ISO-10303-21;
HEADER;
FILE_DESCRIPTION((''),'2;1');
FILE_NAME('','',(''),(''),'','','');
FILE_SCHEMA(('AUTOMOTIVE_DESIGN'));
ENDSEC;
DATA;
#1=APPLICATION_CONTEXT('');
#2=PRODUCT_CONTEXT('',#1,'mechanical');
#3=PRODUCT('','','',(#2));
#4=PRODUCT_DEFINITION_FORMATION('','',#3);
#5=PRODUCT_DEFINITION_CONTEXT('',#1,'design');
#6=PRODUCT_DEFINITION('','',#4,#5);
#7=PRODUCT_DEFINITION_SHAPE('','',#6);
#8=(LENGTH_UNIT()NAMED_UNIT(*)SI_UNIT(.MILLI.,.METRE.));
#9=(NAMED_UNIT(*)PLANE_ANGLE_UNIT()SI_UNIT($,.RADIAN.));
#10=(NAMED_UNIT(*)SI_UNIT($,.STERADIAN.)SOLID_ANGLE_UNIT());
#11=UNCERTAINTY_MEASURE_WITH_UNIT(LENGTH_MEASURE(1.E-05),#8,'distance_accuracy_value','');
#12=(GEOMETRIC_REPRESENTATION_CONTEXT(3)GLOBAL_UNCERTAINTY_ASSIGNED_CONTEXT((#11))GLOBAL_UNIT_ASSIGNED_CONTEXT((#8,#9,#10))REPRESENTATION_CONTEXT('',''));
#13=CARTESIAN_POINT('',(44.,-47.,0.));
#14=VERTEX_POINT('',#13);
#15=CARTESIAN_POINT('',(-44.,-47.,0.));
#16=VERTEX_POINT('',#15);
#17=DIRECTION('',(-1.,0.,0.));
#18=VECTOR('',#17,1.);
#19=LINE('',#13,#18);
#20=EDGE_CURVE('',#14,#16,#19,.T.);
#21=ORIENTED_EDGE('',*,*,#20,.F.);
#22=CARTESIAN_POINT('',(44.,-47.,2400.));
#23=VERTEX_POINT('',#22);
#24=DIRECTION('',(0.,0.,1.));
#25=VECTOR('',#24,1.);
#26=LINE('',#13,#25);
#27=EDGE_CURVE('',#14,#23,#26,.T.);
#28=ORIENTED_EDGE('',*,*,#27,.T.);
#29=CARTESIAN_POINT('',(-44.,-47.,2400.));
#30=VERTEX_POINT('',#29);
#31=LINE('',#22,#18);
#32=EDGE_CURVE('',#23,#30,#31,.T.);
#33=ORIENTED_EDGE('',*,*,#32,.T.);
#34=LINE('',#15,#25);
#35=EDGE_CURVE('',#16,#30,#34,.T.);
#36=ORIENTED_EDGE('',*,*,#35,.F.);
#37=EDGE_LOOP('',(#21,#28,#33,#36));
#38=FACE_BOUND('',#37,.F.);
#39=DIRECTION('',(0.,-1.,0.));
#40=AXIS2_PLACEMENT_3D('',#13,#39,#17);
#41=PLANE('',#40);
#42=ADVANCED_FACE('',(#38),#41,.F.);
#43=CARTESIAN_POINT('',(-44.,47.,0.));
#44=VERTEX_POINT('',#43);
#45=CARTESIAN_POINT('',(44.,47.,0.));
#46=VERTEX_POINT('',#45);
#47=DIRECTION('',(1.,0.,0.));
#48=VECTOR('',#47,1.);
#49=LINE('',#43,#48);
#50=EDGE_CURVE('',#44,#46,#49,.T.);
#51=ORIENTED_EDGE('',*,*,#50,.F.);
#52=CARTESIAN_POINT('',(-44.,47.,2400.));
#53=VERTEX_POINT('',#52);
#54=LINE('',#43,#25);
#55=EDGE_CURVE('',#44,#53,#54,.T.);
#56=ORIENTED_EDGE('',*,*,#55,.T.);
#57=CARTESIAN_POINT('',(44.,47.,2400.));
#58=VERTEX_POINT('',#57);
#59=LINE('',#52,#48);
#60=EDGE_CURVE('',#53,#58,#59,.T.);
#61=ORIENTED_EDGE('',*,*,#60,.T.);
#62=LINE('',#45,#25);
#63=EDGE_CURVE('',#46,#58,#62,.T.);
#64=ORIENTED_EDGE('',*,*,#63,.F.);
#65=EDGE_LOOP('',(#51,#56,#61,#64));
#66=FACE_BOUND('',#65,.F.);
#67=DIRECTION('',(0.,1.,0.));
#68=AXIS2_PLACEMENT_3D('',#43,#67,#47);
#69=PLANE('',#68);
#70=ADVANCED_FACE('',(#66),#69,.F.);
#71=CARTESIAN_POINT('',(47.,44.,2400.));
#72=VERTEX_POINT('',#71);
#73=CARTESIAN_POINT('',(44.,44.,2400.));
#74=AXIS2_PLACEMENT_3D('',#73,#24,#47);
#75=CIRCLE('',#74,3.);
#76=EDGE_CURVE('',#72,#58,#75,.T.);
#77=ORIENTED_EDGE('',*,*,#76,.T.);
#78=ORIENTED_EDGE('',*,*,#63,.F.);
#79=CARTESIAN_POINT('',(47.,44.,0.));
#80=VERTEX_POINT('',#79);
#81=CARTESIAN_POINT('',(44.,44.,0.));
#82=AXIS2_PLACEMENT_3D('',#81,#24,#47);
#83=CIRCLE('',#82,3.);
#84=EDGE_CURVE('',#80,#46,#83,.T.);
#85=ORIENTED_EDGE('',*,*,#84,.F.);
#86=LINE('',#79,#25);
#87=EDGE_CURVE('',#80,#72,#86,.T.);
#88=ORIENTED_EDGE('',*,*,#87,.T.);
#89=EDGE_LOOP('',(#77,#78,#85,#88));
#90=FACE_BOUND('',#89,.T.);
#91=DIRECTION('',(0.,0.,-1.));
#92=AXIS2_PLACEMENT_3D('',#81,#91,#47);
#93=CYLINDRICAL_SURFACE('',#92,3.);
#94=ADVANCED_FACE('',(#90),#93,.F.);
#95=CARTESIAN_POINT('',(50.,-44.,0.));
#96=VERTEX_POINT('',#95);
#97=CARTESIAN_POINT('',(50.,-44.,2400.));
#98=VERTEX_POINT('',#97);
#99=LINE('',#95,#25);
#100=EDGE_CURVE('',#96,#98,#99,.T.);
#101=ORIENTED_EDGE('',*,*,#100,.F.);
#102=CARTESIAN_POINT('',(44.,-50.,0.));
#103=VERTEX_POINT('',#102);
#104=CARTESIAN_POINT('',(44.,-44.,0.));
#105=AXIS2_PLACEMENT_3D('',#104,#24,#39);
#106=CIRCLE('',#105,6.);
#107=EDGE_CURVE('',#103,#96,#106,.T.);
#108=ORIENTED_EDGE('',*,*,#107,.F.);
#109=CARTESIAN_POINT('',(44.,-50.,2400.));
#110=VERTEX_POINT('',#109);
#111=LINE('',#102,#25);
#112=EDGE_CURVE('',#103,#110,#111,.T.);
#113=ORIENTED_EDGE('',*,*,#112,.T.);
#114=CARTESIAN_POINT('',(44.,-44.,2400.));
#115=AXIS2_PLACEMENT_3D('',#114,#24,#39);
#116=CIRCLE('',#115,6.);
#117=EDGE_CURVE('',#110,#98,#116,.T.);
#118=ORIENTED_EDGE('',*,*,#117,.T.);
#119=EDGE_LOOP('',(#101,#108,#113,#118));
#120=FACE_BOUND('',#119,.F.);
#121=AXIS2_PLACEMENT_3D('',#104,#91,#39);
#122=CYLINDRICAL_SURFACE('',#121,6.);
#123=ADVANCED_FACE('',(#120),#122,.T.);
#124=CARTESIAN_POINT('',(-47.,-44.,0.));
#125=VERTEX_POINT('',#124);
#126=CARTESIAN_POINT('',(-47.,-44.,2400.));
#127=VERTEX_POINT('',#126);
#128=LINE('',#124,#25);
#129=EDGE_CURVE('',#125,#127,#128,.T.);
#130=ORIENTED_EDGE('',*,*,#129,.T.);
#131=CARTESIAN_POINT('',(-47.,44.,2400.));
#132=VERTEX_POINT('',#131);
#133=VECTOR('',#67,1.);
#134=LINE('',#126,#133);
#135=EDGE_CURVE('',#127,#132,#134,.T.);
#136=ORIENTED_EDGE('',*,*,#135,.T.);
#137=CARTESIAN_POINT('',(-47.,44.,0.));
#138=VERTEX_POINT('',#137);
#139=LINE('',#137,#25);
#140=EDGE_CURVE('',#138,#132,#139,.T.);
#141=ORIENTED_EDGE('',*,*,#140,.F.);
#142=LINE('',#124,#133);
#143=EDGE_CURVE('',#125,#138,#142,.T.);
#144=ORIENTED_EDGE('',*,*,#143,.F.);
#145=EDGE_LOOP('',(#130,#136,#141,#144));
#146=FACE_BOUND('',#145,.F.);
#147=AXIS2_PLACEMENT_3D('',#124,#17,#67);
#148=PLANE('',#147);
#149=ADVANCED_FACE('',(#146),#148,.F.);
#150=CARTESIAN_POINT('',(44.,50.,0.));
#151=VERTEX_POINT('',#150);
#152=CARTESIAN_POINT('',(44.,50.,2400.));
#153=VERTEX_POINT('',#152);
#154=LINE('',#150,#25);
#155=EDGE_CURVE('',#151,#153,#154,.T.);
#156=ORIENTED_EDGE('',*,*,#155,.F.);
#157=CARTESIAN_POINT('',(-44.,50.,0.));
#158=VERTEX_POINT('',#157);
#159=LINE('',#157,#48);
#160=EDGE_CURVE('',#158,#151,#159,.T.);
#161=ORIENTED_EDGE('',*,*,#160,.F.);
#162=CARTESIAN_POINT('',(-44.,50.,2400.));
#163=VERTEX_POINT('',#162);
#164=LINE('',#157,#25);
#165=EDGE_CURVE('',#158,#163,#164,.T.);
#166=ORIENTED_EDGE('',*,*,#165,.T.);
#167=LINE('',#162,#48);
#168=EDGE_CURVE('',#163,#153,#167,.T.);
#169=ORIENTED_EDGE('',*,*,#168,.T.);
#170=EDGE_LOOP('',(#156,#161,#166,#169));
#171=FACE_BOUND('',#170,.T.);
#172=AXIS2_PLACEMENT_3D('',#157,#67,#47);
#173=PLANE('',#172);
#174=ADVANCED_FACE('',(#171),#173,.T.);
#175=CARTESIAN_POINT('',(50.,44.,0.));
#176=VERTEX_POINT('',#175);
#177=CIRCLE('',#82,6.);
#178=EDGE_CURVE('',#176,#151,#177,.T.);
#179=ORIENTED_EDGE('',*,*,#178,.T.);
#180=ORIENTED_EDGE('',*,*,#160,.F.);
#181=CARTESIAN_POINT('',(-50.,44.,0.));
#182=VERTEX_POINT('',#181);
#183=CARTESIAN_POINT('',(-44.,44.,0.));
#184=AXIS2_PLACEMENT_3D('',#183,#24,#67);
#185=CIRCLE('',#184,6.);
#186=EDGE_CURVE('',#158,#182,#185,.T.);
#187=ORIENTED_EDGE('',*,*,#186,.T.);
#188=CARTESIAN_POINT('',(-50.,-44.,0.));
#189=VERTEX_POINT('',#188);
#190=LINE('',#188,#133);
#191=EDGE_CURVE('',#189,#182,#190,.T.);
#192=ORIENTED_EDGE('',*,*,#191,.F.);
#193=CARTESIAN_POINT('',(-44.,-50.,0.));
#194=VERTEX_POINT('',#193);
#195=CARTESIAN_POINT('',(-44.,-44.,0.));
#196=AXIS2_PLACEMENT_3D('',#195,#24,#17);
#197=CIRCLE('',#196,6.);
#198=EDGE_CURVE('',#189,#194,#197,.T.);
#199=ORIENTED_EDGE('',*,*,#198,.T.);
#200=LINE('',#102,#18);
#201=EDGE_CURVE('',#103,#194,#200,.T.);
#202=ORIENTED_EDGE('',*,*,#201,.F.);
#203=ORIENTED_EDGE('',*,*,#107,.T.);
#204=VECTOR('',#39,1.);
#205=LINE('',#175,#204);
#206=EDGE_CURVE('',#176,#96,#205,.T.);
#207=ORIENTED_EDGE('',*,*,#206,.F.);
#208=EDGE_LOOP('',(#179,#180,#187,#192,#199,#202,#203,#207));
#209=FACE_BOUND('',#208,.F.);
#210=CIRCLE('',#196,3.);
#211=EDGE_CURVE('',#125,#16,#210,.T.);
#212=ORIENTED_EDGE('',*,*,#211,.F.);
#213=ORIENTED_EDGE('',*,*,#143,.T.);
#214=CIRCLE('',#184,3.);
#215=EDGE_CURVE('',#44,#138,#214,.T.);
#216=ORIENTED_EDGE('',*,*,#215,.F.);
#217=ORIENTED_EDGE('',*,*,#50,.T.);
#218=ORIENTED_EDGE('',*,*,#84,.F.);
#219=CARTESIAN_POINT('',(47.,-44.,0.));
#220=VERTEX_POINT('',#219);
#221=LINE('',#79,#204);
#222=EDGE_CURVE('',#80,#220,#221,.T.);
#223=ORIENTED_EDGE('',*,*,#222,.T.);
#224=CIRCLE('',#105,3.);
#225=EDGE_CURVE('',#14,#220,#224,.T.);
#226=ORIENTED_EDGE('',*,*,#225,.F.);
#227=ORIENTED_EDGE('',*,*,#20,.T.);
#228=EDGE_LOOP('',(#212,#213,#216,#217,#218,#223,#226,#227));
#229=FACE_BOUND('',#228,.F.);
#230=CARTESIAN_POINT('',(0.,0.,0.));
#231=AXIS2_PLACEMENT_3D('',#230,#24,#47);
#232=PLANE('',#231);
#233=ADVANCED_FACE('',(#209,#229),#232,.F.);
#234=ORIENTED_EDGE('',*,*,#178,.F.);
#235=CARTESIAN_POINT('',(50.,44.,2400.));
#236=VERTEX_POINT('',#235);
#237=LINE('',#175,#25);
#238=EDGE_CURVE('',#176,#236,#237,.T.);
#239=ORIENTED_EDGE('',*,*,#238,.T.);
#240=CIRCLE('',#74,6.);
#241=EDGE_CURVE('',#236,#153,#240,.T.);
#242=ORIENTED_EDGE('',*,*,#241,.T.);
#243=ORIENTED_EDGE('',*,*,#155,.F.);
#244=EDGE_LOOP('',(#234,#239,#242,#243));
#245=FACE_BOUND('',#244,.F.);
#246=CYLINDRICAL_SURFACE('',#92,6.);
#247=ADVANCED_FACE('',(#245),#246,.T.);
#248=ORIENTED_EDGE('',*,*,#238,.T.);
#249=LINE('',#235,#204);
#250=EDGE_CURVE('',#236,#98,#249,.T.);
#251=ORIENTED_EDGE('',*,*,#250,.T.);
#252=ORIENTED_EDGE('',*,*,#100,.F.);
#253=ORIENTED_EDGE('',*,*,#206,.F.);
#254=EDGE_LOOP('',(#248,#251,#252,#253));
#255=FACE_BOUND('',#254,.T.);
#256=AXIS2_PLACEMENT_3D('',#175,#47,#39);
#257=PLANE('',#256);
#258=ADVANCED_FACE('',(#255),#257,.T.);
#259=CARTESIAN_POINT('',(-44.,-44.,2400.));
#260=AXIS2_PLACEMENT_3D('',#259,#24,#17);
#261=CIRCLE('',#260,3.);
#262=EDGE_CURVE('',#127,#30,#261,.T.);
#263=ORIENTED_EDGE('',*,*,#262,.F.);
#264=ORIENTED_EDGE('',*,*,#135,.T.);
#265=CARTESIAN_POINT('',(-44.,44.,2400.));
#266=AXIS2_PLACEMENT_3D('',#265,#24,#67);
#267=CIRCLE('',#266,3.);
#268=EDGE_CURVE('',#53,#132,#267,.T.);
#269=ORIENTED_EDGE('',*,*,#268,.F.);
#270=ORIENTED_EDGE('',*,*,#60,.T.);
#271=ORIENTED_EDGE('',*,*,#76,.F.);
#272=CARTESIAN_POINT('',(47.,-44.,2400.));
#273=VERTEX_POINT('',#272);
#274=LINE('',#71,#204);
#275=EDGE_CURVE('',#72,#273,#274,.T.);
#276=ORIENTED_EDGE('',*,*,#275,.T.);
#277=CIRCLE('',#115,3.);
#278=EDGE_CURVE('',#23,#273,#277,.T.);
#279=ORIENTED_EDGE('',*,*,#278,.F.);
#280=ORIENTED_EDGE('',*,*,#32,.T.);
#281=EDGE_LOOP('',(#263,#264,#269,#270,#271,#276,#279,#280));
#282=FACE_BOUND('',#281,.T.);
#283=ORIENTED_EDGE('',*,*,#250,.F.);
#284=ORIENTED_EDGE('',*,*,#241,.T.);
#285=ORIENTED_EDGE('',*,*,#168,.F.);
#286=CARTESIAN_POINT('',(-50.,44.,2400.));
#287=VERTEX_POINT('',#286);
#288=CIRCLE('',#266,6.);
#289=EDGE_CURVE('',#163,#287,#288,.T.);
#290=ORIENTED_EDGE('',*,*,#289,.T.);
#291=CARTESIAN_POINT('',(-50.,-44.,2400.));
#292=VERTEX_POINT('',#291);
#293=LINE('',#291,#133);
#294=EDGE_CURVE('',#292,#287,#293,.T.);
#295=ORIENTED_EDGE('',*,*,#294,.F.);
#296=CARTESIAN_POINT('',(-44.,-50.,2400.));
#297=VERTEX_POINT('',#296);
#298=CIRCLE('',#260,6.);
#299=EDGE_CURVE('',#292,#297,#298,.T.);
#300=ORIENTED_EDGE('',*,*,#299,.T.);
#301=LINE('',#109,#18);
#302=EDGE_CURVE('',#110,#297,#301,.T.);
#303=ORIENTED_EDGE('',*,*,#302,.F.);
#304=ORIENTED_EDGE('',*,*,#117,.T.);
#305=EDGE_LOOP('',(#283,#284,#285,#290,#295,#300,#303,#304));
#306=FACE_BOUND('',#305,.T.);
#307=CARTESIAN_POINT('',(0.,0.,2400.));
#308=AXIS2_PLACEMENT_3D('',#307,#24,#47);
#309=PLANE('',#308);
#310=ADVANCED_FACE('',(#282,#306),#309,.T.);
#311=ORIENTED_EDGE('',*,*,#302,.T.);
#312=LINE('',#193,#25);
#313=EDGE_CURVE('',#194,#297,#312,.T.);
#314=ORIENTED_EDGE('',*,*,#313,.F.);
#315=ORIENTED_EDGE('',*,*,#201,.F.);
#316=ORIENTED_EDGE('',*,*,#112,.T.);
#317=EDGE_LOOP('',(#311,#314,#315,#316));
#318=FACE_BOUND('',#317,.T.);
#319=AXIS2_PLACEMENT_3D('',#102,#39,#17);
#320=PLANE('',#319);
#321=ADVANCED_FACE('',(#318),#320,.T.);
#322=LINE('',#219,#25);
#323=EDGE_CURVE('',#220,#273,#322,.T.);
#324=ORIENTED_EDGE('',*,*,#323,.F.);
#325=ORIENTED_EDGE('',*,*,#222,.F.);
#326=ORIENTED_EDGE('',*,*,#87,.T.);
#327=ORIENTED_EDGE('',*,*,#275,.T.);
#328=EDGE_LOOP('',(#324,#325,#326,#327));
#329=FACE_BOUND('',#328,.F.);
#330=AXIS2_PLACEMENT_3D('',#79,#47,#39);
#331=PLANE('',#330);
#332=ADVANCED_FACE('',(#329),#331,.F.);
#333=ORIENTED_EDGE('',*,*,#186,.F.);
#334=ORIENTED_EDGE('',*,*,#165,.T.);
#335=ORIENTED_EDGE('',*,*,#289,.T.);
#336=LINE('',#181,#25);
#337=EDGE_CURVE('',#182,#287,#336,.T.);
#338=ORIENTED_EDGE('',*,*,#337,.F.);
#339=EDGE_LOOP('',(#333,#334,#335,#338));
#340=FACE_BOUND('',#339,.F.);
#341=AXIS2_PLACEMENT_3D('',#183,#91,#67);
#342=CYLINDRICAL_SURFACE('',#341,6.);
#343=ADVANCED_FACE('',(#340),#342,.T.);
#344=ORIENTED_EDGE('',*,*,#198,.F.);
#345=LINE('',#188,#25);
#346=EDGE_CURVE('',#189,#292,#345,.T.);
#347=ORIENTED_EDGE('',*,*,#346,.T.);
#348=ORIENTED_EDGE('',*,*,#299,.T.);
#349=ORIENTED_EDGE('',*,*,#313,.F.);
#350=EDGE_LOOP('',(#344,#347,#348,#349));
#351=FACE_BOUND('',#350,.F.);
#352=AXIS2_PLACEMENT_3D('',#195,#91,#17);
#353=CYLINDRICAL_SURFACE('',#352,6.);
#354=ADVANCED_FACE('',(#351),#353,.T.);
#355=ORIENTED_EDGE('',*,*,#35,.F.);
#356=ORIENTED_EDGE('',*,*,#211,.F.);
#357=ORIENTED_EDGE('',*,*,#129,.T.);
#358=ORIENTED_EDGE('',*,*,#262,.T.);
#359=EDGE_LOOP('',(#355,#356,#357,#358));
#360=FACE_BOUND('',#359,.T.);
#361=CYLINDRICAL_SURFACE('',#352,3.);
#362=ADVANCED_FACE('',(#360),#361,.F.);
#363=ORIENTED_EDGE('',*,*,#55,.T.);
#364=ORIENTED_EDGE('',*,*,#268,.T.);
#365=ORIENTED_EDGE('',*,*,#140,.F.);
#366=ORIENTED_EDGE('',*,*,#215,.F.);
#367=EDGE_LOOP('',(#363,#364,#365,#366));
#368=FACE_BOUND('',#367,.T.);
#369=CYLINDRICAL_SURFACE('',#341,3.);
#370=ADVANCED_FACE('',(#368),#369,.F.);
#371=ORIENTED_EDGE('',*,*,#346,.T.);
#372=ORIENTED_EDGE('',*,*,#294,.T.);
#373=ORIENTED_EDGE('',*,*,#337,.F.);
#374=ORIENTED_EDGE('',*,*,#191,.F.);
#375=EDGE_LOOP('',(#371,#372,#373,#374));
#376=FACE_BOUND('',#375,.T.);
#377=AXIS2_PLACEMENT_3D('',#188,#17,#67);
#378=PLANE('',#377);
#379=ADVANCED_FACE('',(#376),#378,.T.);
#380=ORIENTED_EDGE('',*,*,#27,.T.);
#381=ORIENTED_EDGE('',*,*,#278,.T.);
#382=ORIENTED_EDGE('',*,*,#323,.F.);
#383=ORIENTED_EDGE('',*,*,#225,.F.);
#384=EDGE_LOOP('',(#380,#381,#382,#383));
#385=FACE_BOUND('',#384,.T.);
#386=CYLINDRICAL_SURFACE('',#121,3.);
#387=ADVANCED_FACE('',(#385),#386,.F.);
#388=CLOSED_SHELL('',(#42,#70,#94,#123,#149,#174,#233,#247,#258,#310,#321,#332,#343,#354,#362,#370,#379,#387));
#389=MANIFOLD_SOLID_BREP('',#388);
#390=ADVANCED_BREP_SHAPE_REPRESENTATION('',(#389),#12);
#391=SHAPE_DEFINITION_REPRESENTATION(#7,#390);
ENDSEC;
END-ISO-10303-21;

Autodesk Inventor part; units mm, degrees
ref_plane "YZ Plane" through (0, 0, 0) normal (1, 0, 0) x (0, 1, 0)
ref_plane "Start plane" through (0, 0, 0) normal (0, 0, 1) x (1, 0, 0)
ref_plane "End plane" through (0, 0, 2400) normal (0, 0, 1) x (1, 0, 0)
sketch "Sketch" plane through (0, 0, 0) normal (0, 0, 1) x (1, 0, 0)
  line L0 (-50, -44) -> (-50, 44)
  line L1 (-44, 50) -> (44, 50)
  line L2 (50, 44) -> (50, -44)
  line L3 (44, -50) -> (-44, -50)
  arc A0 (-50, -44) -> (-44, -50) centre (-44, -44) ccw
  arc A1 (50, 44) -> (44, 50) centre (44, 44) ccw
  arc A2 (-44, 50) -> (-50, 44) centre (-44, 44) ccw
  arc A3 (44, -50) -> (50, -44) centre (44, -44) ccw
  arc A4 (-44, 47) -> (-47, 44) centre (-44, 44) ccw
  line L4 (-44, 47) -> (44, 47)
  arc A5 (47, 44) -> (44, 47) centre (44, 44) ccw
  line L5 (47, 44) -> (47, -44)
  arc A6 (44, -47) -> (47, -44) centre (44, -44) ccw
  line L6 (44, -47) -> (-44, -47)
  arc A7 (-47, -44) -> (-44, -47) centre (-44, -44) ccw
  line L7 (-47, -44) -> (-47, 44)
  line L8 (0, 71.7397) -> (0, -71.7397) construction
  line L9 (-71.7397, 0) -> (71.7397, 0) construction
  dimension "d7" = 6
  dimension "d9" = 100
  dimension "d11" = 100
  dimension "d12" = 3
  dimension "d15" = 50
  dimension "d16" = 50
extrude "Body" add sketch "Sketch" along normal up to surface (2400 mm away) from surface at 0
sketch "Sketch3" plane through (0, 0, 0) normal (0, 0, 1) x (1, 0, 0)
  line L0 (0, 0) -> (10, 0)
ref_plane "Work Plane3" through (0, 0, 0) normal (0, -1, 0) x (1, 0, 0)
sketch "Sketch4" plane through (0, 0, 0) normal (0, -1, 0) x (1, 0, 0)
  line L0 (-2, 0) -> (12, 0) projected
  line L1 (-2, 2400) -> (12, 2400) projected
  dimension "d18" = 2400
equation "\"d7\" = G_IR"
equation "\"d9\" = G_W"
equation "\"d11\" = G_H"
equation "\"d12\" = G_T"
equation "\"d15\" = 0.5 * d9"
equation "\"d16\" = 0.5 * d11"
equation "\"d3\" = G_L"
equation "\"G_W\" = 100"
equation "\"G_H\" = 100"
equation "\"G_T\" = 3"
equation "\"G_IR\" = 6"
equation "\"G_L\" = d18"
equation "\"G_OFFSET_START\" = 0"
equation "\"G_OFFSET_END\" = 0"
properties part number "ISO 10799-2 - 100x100x3 - 2400" material "Steel, Mild"
